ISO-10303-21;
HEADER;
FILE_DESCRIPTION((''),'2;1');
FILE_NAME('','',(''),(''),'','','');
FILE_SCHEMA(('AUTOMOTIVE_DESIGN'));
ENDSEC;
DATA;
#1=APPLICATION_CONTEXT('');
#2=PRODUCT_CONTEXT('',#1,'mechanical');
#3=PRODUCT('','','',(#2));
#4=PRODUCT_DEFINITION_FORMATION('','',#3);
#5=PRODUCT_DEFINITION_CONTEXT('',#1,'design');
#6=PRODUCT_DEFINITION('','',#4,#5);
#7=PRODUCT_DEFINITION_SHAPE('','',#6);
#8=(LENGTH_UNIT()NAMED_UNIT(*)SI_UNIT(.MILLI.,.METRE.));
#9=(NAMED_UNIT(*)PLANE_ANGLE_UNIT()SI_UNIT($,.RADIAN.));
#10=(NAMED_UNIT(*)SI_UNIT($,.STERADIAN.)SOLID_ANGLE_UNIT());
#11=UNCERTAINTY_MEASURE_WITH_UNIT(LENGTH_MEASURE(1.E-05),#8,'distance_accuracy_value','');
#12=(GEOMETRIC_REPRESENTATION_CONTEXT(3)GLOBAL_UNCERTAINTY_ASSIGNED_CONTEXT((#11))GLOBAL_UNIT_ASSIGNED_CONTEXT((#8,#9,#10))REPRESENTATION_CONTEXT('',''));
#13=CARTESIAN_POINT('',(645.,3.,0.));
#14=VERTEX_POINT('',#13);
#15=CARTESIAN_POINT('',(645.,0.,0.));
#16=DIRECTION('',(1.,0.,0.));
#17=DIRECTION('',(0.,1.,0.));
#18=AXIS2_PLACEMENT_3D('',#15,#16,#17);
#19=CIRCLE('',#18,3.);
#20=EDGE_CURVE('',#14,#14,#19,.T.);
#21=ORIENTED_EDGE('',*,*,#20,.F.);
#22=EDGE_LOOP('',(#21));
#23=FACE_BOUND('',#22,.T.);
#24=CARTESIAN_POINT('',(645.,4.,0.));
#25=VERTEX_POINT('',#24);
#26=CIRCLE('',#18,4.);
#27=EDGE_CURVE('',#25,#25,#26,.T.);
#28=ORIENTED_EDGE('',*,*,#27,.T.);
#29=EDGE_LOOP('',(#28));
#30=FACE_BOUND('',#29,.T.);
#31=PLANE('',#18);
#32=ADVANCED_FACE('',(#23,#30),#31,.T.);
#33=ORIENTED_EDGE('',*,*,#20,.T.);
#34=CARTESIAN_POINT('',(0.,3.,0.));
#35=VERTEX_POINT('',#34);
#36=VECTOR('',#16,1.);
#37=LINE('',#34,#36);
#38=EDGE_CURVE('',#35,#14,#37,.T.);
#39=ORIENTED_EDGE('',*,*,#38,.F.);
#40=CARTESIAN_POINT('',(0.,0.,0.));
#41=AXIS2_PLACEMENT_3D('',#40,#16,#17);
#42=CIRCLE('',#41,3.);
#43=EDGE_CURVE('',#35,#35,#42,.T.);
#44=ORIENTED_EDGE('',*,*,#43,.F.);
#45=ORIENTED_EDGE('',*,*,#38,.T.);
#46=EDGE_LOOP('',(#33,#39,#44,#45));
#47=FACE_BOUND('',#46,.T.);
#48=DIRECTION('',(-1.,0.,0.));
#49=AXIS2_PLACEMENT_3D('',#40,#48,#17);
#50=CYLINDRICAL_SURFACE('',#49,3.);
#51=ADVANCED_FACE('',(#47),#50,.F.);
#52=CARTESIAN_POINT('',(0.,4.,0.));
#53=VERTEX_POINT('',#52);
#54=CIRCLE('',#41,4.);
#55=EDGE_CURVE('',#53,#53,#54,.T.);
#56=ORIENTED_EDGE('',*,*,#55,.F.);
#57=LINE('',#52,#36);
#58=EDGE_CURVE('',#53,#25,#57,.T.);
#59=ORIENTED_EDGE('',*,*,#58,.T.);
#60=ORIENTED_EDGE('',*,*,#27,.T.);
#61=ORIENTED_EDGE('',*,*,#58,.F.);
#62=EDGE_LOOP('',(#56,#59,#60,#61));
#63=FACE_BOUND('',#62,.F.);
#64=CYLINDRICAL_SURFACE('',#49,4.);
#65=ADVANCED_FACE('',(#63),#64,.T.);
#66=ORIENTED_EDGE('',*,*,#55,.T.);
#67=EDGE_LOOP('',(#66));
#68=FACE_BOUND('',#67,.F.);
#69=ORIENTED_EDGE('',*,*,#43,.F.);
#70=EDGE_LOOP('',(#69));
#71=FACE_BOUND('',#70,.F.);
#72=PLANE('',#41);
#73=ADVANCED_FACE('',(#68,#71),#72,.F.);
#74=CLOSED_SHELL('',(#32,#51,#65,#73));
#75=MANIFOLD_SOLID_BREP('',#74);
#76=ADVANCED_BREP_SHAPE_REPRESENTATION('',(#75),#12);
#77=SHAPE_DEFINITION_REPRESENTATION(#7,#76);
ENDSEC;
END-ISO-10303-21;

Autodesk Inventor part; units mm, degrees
ref_plane "YZ Plane" through (0, 0, 0) normal (1, 0, 0) x (0, 1, 0)
ref_plane "XZ Plane" through (0, 0, 0) normal (0, 1, 0) x (-1, 0, 0)
ref_plane "XY Plane" through (0, 0, 0) normal (0, 0, 1) x (1, 0, 0)
sketch "Sketch6" plane through (0, 0, 0) normal (1, 0, 0) x (0, 1, 0)
  point P0 (0, 0)
sketch "Sketch7" plane through (0, 0, 0) normal (1, 0, 0) x (0, 1, 0)
  circle A0 centre (0, 0) radius 3
  circle A1 centre (0, 0) radius 4
  dimension "d85" = 6
  dimension "d86" = 8
extrude "Extrusion3" add sketch "Sketch7" along normal blind 645
ref_plane "Work Plane2" through (322.5, 0, 0) normal (1, 0, 0) x (0, 0, -1)
sketch "Sketch8" plane through (322.5, 0, 0) normal (1, 0, 0) x (0, 0, -1)
  circle A0 centre (0, 0) radius 4 projected
  line L0 (-4, 0) -> (4, 0)
ref_plane "Work Plane3" through (322.5, 0, 4) normal (0, 0, 1) x (1, 0, 0)
properties part number "6P-001" material "CFRP"
